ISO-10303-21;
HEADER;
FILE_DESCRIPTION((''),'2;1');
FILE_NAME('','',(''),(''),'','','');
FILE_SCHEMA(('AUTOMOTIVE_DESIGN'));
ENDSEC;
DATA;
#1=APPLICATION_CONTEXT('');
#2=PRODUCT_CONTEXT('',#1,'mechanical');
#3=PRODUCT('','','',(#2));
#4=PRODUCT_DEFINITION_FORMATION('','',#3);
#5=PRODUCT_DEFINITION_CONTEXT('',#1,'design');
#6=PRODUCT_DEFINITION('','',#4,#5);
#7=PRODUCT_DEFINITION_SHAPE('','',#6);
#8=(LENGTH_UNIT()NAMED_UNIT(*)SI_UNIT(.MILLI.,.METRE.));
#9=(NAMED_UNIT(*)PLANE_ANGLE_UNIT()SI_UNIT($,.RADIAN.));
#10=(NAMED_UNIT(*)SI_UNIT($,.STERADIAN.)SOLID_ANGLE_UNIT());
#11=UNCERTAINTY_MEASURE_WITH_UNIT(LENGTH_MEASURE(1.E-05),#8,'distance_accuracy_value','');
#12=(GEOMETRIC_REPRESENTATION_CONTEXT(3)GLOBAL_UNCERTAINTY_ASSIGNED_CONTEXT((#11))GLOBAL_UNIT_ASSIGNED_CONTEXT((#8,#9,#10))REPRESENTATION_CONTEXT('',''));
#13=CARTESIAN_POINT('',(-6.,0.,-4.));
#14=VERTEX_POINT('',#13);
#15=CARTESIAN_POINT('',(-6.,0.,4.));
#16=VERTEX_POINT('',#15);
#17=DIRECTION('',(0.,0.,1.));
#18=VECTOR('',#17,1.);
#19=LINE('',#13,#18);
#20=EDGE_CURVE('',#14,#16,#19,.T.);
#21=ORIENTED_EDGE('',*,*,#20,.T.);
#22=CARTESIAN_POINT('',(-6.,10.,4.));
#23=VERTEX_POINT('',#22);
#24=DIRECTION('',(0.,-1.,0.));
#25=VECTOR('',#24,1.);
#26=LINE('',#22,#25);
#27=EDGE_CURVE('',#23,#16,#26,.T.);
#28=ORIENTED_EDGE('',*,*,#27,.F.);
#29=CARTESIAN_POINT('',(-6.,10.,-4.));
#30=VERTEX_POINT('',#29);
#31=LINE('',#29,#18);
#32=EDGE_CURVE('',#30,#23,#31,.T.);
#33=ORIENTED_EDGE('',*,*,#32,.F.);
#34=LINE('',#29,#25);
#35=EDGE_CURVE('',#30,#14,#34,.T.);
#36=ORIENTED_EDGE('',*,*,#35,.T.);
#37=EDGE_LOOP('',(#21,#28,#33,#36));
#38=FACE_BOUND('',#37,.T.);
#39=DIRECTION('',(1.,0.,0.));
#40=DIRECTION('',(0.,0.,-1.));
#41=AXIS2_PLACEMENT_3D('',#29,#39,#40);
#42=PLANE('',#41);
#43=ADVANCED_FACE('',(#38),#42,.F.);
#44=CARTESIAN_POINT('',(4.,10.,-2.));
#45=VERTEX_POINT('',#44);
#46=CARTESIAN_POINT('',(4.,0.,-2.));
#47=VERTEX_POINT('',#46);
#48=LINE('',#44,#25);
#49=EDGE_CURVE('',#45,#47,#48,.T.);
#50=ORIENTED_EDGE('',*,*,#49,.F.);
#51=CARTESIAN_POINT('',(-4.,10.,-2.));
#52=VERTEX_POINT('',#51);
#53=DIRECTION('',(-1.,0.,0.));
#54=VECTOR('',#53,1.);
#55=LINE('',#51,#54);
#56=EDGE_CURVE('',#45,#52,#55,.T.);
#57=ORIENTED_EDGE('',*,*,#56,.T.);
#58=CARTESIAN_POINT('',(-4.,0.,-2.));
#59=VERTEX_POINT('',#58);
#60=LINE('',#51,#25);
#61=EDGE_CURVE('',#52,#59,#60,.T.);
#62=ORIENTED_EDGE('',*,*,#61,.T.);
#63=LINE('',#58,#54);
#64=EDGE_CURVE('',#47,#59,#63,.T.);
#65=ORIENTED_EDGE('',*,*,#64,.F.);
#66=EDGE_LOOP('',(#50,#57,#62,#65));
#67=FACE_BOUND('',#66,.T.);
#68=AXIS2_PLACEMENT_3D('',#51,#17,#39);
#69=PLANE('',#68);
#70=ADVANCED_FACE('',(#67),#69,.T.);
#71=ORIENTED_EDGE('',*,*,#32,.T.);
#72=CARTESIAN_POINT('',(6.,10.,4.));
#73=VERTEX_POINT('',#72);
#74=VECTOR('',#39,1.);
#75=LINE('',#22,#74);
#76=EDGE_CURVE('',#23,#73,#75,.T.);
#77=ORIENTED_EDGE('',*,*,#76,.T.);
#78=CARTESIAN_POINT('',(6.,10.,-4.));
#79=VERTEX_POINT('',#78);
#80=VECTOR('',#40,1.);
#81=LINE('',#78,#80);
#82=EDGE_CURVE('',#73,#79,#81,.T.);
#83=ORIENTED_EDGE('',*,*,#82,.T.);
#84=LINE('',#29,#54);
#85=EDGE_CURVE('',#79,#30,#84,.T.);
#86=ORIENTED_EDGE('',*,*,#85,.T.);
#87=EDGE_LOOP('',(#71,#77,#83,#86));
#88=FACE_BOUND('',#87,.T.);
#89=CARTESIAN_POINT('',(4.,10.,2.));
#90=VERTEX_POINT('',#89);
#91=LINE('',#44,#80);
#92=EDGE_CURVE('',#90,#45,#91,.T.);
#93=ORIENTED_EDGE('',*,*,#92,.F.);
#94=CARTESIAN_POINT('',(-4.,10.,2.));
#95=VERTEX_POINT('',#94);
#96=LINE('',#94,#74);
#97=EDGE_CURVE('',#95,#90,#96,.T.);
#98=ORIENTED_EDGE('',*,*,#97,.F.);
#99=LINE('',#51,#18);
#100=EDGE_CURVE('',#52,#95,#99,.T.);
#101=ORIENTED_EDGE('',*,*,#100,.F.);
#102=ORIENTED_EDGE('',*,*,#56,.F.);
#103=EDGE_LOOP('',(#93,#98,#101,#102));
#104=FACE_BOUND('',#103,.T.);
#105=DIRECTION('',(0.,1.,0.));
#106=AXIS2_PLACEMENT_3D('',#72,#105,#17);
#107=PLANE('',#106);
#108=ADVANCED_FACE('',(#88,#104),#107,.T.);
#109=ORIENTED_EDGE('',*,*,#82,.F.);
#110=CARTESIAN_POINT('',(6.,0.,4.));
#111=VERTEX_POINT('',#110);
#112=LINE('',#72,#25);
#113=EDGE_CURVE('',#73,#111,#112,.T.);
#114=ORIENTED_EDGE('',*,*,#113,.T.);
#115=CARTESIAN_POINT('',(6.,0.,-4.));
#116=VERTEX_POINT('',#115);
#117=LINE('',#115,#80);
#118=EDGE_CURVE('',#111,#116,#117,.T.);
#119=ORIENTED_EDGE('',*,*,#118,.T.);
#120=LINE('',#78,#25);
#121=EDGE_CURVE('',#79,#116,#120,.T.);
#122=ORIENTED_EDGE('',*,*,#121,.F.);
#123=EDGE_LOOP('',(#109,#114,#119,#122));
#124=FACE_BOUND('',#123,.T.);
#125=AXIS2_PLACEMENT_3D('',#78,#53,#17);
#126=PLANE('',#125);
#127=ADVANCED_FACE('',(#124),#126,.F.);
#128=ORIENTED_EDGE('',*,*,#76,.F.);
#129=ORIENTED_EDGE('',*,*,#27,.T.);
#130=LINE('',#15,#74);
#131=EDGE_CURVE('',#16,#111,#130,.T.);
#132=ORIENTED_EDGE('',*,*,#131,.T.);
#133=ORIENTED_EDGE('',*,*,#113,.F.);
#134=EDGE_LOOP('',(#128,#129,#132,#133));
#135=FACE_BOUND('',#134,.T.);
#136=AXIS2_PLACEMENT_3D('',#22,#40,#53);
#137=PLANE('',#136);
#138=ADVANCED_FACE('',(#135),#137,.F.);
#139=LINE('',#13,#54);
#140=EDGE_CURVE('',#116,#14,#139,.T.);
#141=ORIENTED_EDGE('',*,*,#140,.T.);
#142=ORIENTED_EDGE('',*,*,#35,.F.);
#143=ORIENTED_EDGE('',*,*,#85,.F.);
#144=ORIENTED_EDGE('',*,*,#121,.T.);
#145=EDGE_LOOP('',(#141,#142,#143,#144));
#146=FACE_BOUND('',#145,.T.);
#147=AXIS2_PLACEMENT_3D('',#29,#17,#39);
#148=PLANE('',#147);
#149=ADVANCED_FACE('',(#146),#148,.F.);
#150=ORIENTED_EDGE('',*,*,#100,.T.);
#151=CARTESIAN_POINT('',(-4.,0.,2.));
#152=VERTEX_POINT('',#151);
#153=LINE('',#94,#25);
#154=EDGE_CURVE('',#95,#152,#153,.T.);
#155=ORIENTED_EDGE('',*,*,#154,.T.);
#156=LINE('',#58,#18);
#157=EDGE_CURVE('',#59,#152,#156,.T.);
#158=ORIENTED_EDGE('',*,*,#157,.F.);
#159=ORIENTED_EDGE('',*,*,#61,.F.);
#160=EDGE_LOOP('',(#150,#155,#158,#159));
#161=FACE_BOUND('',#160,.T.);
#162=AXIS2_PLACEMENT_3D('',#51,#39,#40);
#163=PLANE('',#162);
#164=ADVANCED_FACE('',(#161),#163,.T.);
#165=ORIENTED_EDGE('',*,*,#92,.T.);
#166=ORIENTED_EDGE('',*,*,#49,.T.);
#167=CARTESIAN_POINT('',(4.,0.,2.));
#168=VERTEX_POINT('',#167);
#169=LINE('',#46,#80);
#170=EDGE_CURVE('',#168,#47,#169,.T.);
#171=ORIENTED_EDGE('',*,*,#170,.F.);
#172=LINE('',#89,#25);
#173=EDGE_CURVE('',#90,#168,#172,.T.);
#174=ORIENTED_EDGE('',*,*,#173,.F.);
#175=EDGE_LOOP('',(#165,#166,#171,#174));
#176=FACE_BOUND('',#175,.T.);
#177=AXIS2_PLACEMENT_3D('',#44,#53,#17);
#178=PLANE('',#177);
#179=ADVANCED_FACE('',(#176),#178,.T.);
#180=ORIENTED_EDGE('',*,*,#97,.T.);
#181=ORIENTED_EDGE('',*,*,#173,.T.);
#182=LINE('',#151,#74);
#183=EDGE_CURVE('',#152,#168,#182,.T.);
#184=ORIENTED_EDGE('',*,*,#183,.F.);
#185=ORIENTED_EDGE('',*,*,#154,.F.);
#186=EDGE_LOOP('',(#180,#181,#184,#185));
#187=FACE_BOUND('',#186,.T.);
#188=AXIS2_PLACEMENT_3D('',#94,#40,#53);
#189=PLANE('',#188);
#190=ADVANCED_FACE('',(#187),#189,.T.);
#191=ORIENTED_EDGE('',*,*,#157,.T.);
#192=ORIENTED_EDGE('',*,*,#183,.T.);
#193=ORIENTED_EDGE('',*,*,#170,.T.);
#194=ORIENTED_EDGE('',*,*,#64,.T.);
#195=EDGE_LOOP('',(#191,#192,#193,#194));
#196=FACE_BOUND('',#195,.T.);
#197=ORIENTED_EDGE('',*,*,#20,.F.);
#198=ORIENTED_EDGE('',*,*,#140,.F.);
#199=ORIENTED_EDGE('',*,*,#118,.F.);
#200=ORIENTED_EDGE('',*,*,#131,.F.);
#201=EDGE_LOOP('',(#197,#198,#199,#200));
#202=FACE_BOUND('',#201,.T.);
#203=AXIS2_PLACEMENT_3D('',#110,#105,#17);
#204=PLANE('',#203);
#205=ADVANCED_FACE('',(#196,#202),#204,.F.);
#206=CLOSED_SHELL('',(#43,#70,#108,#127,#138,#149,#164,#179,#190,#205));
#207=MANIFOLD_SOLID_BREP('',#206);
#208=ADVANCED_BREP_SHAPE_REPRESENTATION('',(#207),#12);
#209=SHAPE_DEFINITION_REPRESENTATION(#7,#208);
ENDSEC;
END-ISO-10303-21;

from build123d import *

# Parameters (mm, degrees)
SKETCH_1_W      = 12
SKETCH_1_H      = 8
SKETCH_1_W_2    = 8
SKETCH_1_H_2    = 4
EXTRUDE_1_DEPTH = 10


with BuildPart() as part:
    # 草图1 → 凸台-拉伸1 (new body)
    with BuildSketch(Plane(origin=(0, 0, 0), x_dir=(1, 0, 0), z_dir=(0, 1, 0))):
        Rectangle(SKETCH_1_W, SKETCH_1_H)
        Rectangle(SKETCH_1_W_2, SKETCH_1_H_2, mode=Mode.SUBTRACT)
    extrude(amount=EXTRUDE_1_DEPTH)


solid = part.part
